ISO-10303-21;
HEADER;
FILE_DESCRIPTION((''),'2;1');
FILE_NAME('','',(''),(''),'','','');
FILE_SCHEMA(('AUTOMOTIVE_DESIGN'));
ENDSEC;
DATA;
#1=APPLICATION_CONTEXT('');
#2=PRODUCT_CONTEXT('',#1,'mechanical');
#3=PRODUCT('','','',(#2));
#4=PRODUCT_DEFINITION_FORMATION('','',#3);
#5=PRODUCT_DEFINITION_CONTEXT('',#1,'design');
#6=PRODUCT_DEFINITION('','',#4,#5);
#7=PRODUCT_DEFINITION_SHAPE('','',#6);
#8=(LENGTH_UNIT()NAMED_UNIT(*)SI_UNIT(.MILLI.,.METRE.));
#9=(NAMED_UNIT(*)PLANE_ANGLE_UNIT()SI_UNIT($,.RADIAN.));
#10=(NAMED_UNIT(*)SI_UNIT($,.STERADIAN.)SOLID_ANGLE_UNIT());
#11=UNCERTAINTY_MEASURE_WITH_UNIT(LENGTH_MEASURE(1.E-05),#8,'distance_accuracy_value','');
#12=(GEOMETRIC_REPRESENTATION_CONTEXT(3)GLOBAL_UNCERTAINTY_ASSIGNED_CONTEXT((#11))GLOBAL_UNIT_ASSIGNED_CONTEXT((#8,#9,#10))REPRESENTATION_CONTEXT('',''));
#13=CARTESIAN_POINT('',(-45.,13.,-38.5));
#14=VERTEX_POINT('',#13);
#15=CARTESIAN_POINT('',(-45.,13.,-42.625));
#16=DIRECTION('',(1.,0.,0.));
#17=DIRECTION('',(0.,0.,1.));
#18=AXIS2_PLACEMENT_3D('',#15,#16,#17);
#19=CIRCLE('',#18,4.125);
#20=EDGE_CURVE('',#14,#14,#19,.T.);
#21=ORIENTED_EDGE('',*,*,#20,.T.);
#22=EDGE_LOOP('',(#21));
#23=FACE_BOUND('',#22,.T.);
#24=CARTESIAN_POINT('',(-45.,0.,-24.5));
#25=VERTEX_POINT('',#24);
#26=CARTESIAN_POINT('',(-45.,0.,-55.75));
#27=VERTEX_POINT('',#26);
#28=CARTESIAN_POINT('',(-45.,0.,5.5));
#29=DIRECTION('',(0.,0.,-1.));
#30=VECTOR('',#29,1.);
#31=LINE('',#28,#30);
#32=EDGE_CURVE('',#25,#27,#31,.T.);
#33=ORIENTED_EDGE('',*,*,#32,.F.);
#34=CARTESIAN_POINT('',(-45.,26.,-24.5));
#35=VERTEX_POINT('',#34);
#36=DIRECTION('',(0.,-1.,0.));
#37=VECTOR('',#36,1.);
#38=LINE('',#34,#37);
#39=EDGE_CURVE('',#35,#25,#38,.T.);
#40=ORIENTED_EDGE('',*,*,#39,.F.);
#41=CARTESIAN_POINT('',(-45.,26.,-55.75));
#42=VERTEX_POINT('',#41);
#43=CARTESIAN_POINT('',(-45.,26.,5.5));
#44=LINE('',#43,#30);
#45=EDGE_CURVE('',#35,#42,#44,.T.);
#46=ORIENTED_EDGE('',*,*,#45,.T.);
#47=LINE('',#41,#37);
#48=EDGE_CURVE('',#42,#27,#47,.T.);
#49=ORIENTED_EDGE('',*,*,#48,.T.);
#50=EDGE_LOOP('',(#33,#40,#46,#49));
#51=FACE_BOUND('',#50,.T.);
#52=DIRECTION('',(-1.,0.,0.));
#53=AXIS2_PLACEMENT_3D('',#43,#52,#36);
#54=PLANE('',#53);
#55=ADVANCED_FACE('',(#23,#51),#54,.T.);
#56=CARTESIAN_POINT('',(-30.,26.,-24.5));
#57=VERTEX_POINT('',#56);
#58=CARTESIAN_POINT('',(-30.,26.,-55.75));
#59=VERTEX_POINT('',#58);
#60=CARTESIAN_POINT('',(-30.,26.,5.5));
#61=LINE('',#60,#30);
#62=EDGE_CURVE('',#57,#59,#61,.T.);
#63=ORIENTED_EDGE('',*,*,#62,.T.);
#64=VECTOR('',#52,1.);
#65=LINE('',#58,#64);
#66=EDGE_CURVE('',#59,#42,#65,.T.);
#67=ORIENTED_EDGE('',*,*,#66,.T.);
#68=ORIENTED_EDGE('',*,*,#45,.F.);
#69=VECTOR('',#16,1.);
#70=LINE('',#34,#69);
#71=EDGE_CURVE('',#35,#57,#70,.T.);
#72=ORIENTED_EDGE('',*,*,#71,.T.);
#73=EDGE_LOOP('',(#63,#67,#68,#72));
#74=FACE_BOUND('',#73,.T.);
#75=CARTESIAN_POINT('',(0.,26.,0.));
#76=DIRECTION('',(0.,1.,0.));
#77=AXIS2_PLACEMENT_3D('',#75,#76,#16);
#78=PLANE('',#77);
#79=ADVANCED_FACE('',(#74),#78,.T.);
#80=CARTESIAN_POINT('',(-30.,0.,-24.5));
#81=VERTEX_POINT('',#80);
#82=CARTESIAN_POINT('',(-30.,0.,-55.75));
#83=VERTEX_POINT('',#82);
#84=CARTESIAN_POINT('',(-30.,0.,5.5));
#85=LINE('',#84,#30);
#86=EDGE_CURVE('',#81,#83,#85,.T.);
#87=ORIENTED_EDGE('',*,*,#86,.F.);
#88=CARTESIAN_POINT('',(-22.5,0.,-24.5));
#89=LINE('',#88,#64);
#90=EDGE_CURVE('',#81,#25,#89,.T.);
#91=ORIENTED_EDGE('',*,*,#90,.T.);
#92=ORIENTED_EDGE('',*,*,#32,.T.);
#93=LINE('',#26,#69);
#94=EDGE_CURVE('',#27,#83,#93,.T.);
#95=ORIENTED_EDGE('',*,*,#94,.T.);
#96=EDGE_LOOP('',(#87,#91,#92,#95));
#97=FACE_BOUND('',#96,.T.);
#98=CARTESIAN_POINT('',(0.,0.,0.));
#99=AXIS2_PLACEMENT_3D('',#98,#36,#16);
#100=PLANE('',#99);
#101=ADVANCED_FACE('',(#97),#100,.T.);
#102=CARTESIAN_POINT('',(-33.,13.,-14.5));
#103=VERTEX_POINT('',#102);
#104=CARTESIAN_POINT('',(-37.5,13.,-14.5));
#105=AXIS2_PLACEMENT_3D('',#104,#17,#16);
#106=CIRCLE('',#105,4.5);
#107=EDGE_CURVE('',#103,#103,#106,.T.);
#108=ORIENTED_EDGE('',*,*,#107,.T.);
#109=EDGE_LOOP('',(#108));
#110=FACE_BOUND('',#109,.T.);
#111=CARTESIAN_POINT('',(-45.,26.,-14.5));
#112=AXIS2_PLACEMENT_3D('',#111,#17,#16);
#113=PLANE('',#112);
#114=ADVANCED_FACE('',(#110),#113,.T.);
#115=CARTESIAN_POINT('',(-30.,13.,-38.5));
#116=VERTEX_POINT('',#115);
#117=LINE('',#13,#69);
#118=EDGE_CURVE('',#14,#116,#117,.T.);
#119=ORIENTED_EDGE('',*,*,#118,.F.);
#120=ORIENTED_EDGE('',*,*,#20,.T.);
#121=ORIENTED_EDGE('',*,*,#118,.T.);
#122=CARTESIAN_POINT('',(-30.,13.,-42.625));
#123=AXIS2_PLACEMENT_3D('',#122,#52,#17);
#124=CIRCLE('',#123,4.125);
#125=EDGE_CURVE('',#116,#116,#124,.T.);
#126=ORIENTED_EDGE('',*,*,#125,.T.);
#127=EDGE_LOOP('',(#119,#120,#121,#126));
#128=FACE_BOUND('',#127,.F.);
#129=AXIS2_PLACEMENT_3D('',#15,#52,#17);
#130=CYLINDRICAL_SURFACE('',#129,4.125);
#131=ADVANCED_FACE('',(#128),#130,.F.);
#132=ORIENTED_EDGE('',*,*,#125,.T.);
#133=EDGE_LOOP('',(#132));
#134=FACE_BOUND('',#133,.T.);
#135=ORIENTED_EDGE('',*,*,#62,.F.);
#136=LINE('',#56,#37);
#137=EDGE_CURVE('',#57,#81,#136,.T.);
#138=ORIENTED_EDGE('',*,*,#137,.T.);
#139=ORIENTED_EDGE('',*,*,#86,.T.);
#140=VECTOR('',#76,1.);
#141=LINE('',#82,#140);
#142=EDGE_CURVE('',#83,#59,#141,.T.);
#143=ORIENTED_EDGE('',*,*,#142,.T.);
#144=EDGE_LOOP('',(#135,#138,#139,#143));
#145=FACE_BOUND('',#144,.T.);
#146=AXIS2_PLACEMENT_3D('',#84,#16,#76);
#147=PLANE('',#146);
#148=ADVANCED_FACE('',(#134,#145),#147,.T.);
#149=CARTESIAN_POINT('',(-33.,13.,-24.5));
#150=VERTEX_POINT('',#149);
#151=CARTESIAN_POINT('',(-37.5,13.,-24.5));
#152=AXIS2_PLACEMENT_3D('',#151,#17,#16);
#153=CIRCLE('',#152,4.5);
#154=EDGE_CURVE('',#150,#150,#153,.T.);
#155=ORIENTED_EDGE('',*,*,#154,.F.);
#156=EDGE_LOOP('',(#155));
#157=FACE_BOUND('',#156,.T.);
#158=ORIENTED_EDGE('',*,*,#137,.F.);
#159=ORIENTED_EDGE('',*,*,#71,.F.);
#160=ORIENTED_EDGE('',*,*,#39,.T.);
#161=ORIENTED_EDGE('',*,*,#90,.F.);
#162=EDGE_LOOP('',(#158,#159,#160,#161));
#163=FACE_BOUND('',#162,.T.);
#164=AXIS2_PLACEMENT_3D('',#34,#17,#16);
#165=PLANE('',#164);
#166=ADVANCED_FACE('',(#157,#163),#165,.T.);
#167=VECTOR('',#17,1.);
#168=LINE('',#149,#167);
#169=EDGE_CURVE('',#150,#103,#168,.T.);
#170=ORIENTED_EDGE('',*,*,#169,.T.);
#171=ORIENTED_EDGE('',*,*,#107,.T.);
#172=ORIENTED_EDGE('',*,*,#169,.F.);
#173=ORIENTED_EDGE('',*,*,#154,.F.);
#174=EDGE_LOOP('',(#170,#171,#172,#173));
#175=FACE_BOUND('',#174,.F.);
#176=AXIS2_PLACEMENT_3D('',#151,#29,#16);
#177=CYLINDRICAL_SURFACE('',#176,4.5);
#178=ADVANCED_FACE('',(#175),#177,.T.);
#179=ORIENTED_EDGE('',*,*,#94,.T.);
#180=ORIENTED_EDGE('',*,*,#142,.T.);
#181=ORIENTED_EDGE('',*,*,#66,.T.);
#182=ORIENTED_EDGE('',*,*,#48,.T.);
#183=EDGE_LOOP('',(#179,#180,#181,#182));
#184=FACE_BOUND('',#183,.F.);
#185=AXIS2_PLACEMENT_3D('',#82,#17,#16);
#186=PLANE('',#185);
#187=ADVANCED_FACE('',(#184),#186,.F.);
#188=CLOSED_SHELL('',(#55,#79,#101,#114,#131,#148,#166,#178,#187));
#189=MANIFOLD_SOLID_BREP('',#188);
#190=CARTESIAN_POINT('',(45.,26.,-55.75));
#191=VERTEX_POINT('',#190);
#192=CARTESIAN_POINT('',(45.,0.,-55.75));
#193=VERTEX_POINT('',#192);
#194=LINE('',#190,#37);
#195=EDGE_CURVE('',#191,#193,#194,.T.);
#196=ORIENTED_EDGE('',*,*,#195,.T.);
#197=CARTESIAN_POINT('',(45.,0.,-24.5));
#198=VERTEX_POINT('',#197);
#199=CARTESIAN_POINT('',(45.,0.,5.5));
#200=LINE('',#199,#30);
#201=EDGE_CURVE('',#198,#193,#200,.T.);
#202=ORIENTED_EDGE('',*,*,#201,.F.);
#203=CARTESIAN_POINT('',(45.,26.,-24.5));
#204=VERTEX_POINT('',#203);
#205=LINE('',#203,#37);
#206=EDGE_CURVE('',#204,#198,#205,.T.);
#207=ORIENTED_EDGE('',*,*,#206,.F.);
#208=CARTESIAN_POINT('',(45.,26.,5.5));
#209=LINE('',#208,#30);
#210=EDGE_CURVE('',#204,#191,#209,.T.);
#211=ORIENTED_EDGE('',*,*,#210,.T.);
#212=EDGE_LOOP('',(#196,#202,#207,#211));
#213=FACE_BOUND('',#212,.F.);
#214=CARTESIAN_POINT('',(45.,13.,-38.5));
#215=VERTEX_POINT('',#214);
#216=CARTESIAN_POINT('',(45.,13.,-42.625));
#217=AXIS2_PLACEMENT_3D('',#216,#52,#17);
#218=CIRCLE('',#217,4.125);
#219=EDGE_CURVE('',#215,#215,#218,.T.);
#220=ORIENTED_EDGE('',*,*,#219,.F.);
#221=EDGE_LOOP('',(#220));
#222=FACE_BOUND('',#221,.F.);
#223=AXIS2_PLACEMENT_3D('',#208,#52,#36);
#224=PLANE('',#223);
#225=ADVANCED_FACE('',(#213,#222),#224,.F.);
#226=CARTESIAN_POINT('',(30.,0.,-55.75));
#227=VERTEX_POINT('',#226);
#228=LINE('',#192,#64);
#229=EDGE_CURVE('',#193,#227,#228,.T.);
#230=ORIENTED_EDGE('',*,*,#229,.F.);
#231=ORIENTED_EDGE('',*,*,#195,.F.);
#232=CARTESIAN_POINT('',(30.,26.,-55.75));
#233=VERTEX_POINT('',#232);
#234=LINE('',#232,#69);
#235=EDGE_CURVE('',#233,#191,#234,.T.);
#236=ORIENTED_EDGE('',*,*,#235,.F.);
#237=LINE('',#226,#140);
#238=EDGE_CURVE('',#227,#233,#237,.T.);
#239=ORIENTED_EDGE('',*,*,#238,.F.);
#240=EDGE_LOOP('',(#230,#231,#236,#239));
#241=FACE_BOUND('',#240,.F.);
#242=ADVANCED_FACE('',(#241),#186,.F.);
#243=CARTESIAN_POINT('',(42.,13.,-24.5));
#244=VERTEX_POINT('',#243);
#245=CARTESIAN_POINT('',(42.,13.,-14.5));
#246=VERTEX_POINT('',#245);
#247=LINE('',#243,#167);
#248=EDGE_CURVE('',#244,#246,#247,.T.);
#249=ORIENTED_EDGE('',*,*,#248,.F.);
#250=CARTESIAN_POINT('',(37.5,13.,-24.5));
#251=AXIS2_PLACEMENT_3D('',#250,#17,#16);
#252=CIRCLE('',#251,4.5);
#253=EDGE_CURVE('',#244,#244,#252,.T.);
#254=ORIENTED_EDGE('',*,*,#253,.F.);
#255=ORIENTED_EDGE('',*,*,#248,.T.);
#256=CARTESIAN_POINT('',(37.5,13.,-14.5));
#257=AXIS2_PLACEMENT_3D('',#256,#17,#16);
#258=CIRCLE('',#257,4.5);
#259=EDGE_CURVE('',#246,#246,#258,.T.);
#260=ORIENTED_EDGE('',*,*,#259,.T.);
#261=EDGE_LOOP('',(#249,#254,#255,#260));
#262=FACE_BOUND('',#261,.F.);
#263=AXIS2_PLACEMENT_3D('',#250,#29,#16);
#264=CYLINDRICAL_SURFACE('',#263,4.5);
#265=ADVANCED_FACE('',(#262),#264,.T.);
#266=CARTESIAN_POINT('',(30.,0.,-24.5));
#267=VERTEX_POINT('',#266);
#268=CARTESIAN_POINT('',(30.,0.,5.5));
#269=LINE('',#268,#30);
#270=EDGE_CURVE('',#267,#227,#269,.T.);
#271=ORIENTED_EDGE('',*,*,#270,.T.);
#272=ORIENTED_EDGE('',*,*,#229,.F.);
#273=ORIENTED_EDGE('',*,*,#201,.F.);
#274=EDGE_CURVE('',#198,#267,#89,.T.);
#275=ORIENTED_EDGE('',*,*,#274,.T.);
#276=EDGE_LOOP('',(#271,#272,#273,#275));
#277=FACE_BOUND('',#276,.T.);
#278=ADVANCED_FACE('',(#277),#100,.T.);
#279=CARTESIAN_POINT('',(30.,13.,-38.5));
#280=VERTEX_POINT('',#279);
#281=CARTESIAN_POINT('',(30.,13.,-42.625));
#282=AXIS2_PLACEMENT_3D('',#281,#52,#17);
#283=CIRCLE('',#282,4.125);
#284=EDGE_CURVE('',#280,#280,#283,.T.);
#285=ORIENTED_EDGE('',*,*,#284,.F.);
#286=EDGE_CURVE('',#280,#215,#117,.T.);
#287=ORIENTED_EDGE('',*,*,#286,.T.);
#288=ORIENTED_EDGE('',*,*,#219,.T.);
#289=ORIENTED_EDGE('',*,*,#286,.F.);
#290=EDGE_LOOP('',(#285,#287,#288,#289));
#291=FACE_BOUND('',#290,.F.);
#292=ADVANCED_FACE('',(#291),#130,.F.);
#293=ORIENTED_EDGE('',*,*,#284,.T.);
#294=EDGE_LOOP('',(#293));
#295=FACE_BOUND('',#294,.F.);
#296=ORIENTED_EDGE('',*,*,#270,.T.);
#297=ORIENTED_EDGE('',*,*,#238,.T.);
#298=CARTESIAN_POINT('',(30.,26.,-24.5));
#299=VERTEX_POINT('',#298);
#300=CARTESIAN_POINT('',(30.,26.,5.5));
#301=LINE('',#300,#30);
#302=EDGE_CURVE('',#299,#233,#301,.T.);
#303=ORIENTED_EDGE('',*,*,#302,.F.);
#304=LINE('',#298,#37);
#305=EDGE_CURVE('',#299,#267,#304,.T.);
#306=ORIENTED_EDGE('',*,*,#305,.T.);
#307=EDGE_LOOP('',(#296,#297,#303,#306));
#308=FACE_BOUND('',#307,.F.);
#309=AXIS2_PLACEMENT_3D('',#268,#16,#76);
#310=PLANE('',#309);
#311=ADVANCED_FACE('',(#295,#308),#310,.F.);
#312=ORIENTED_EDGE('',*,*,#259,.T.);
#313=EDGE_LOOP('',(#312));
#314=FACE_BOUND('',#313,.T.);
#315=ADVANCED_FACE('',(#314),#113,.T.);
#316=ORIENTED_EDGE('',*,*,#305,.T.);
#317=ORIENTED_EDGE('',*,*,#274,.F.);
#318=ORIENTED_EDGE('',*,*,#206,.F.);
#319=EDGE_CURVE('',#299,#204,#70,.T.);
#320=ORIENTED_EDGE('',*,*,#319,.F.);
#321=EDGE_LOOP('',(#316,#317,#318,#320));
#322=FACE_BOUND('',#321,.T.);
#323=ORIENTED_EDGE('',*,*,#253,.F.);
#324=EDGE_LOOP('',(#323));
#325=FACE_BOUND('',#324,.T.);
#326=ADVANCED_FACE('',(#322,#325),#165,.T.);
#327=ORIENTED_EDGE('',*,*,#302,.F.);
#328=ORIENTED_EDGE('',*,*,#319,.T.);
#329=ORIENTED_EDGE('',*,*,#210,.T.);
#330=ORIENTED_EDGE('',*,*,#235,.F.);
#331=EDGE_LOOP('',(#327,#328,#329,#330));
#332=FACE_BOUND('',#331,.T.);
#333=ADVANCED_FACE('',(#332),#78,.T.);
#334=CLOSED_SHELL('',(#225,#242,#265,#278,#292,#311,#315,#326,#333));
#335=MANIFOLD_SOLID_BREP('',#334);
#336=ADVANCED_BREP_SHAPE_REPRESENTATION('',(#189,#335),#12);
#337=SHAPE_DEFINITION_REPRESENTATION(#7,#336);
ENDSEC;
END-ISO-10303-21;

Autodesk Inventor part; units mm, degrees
ref_plane "YZ Plane" through (0, 0, 0) normal (1, 0, 0) x (0, 1, 0)
ref_plane "XZ Plane" through (0, 0, 0) normal (0, 1, 0) x (-1, 0, 0)
ref_plane "XY Plane" through (0, 0, 0) normal (0, 0, 1) x (1, 0, 0)
sketch "Sketch1" plane through (0, 0, 0) normal (0, 1, 0) x (-1, 0, 0)
  line L0 (0, 0) -> (0, -14)
  circle A0 centre (0, -7) radius 8.25
  circle A1 centre (0, -7) radius 10.5
  dimension "d0" = 14
  dimension "d1" = 16.5
  dimension "d2" = 21
extrude "Extrusion1" add sketch "Sketch1" along normal blind 6
sketch "Sketch2" plane through (0, 6, -7) normal (0, 1, 0) x (1, 0, 0)
  line L0 (10.5, -10.5) -> (-10.5, -10.5)
  line L1 (-10.5, -10.5) -> (-10.5, 10.5)
  line L2 (-10.5, 10.5) -> (10.5, 10.5)
  line L3 (10.5, 10.5) -> (10.5, -10.5)
  line L4 (10.5, -10.5) -> (-10.5, 10.5) construction
  line L5 (-10.5, -10.5) -> (10.5, 10.5) construction
  circle A0 centre (0, 0) radius 10.5
  point P0 (0, -7)
extrude "Extrusion2" add sketch "Sketch2" against normal blind 6 contours L0 A0 L3 | L0 L1 A0 | A0 L2 L3 | L1 L2 A0
sketch "Sketch4" plane through (0, 6, 0) normal (0, 1, 0) x (1, 0, 0)
  circle A0 centre (0, 7) radius 8.25 projected
  line L0 (0, 7) -> (0, -0.25)
  line L1 (0, -0.25) -> (-3.937, -0.25)
  line L2 (3.937, -0.25) -> (-3.937, -0.25)
  point P0 (0, 0)
  dimension "d14" = 7.25
extrude "Extrusion4" add sketch "Sketch4" against normal blind 6 contours L1 L2 A0 picked at (1.9893, -0.4987)
pattern_circular "Circular Pattern2" count 6 over 360 about axis through (0, 0, -7) along (0, 1, 0) of "Extrusion4"
sketch "Sketch5" plane through (0, 6, 0) normal (0, 1, 0) x (1, 0, 0)
  line L0 (-4.3102, -0.0345) -> (-8.2472, 6.7845) projected
  line L1 (-6.2787, 3.375) -> (6.2787, 10.625)
  line L2 (4.3102, 14.0345) -> (8.2472, 7.2155) projected
  line L3 (8.2472, 6.7845) -> (4.3102, -0.0345) projected
  line L4 (6.2787, 3.375) -> (-6.2787, 10.625)
  line L5 (-4.3102, 14.0345) -> (-8.2472, 7.2155) projected
  line L6 (3.937, 14.25) -> (-3.937, 14.25) projected
  line L7 (0, 14.25) -> (0, -0.25)
  line L8 (3.937, -0.25) -> (-3.937, -0.25) projected
  circle A0 centre (0, 7) radius 9.625
  line L9 (12.5, 19.5) -> (-12.5, 19.5)
  line L10 (-12.5, 19.5) -> (-12.5, -5.5)
  line L11 (-12.5, -5.5) -> (12.5, -5.5)
  line L12 (12.5, -5.5) -> (12.5, 19.5)
  line L13 (12.5, 19.5) -> (-12.5, -5.5) construction
  line L14 (-12.5, 19.5) -> (12.5, -5.5) construction
  point P0 (0, 0)
  dimension "d20" = 19.25
  dimension "d21" = 25
  dimension "d22" = 25
extrude "Extrusion5" add sketch "Sketch5" along normal blind 20
sketch "Sketch6" plane through (0, 6, 0) normal (0, -1, 0) x (1, 0, 0)
  line L0 (-10.5, -17.5) -> (10.5, -17.5)
  line L1 (10.5, -17.5) -> (10.5, 3.5)
  line L2 (10.5, 3.5) -> (-10.5, 3.5)
  line L3 (-10.5, 3.5) -> (-10.5, -17.5)
  circle A0 centre (0, -7) radius 9.625 projected
  line L4 (-10.5, -17.5) -> (10.5, 3.5) construction
  line L5 (10.5, -17.5) -> (-10.5, 3.5) construction
  line L6 (-12.5, -19.5) -> (12.5, -19.5)
  line L7 (12.5, -19.5) -> (12.5, 5.5)
  line L8 (12.5, 5.5) -> (-12.5, 5.5)
  line L9 (-12.5, 5.5) -> (-12.5, -19.5)
  line L10 (-12.5, -19.5) -> (12.5, 5.5) construction
  line L11 (12.5, -19.5) -> (-12.5, 5.5) construction
  point P0 (0, 0)
extrude "Extrusion6" add sketch "Sketch6" along normal blind 6 contours L9 L8 L7 L6
sketch "Sketch8" plane through (-12.5, 26, 5.5) normal (0, 0, 1) x (1, 0, 0)
  line L0 (0, 0) -> (25, 0)
  line L1 (0, 0) -> (-17.5, 0)
  line L2 (25, 0) -> (42.5, 0)
  line L3 (0, 0) -> (-17.5, 0)
  line L4 (-17.5, 0) -> (-17.5, -26)
  line L5 (-17.5, -26) -> (0, -26)
  line L6 (0, -26) -> (0, 0)
  line L7 (25, 0) -> (42.5, 0)
  line L8 (42.5, 0) -> (42.5, -26)
  line L9 (42.5, -26) -> (25, -26)
  line L10 (25, -26) -> (25, 0)
  point P0 (12.5, -26)
  dimension "d27" = 17.5
  dimension "d28" = 17.5
extrude "Extrusion7" add sketch "Sketch8" against normal blind 25
sketch "Sketch9" plane through (-30, 0, 5.5) normal (0, 0, 1) x (1, 0, 0)
  line L0 (0, 26) -> (-15, 26)
  line L1 (-15, 26) -> (-15, 0)
  line L2 (-15, 0) -> (0, 0)
  line L3 (0, 0) -> (0, 26)
  line L4 (60, 26) -> (75, 26)
  line L5 (75, 26) -> (75, 0)
  line L6 (75, 0) -> (60, 0)
  line L7 (60, 0) -> (60, 26)
  point P0 (30, 0)
  dimension "d31" = 15
  dimension "d32" = 15
extrude "Extrusion8" add sketch "Sketch9" against normal blind 61.25
sketch "Sketch10" plane through (-45, 0, 5.5) normal (-1, 0, 0) x (0, 0, 1)
  line L0 (-61.25, 0) -> (-61.25, 26) projected
  line L1 (-61.25, 13) -> (-35, 13)
  circle A0 centre (-48.125, 13) radius 4.125
  point P0 (-5.5, 0)
  dimension "d35" = 26.25
  dimension "d36" = 8.25
extrude "Extrusion9" cut sketch "Sketch10" against normal through all
sketch "Sketch11" plane through (0, 26, 0) normal (0, 1, 0) x (1, 0, 0)
  line L0 (30, 19.5) -> (30, 24.5)
  line L1 (30, 19.5) -> (30, 55.75) projected
  line L2 (30, 19.5) -> (25, 19.5)
  line L3 (25, 19.5) -> (30, 24.5)
  line L4 (-30, 19.5) -> (-30, 24.5)
  line L5 (-30, 19.5) -> (-30, 55.75) projected
  line L6 (-30, 19.5) -> (-25, 19.5)
  line L7 (30, 19.5) -> (-30, 19.5) projected
  line L8 (-25, 19.5) -> (-30, 24.5)
  point P0 (0, 0)
  dimension "d39" = 5
  dimension "d40" = 5
  dimension "d41" = 5
  dimension "d42" = 5
extrude "Extrusion10" add sketch "Sketch11" against normal blind 26
sketch "Sketch12" plane through (0, 26, 0) normal (0, 1, 0) x (1, 0, 0)
  line L0 (-45, -5.5) -> (-45, 55.75) projected
  line L1 (45, -5.5) -> (-45, -5.5)
  line L2 (-45, -5.5) -> (-45, 24.5)
  line L3 (-45, 24.5) -> (45, 24.5)
  line L4 (45, 24.5) -> (45, -5.5)
  point P0 (0, 0)
extrude "Extrusion11" cut sketch "Sketch12" against normal through all
sketch "Sketch13" plane through (-45, 26, -24.5) normal (0, 0, 1) x (1, 0, 0)
  circle A0 centre (7.5, -13) radius 4.5
  circle A1 centre (82.5, -13) radius 4.5
  point P0 (45, -26)
  dimension "d47" = 9
  dimension "d48" = 9
extrude "Extrusion12" add sketch "Sketch13" along normal blind 10
properties part number "FretterMountBottom"
